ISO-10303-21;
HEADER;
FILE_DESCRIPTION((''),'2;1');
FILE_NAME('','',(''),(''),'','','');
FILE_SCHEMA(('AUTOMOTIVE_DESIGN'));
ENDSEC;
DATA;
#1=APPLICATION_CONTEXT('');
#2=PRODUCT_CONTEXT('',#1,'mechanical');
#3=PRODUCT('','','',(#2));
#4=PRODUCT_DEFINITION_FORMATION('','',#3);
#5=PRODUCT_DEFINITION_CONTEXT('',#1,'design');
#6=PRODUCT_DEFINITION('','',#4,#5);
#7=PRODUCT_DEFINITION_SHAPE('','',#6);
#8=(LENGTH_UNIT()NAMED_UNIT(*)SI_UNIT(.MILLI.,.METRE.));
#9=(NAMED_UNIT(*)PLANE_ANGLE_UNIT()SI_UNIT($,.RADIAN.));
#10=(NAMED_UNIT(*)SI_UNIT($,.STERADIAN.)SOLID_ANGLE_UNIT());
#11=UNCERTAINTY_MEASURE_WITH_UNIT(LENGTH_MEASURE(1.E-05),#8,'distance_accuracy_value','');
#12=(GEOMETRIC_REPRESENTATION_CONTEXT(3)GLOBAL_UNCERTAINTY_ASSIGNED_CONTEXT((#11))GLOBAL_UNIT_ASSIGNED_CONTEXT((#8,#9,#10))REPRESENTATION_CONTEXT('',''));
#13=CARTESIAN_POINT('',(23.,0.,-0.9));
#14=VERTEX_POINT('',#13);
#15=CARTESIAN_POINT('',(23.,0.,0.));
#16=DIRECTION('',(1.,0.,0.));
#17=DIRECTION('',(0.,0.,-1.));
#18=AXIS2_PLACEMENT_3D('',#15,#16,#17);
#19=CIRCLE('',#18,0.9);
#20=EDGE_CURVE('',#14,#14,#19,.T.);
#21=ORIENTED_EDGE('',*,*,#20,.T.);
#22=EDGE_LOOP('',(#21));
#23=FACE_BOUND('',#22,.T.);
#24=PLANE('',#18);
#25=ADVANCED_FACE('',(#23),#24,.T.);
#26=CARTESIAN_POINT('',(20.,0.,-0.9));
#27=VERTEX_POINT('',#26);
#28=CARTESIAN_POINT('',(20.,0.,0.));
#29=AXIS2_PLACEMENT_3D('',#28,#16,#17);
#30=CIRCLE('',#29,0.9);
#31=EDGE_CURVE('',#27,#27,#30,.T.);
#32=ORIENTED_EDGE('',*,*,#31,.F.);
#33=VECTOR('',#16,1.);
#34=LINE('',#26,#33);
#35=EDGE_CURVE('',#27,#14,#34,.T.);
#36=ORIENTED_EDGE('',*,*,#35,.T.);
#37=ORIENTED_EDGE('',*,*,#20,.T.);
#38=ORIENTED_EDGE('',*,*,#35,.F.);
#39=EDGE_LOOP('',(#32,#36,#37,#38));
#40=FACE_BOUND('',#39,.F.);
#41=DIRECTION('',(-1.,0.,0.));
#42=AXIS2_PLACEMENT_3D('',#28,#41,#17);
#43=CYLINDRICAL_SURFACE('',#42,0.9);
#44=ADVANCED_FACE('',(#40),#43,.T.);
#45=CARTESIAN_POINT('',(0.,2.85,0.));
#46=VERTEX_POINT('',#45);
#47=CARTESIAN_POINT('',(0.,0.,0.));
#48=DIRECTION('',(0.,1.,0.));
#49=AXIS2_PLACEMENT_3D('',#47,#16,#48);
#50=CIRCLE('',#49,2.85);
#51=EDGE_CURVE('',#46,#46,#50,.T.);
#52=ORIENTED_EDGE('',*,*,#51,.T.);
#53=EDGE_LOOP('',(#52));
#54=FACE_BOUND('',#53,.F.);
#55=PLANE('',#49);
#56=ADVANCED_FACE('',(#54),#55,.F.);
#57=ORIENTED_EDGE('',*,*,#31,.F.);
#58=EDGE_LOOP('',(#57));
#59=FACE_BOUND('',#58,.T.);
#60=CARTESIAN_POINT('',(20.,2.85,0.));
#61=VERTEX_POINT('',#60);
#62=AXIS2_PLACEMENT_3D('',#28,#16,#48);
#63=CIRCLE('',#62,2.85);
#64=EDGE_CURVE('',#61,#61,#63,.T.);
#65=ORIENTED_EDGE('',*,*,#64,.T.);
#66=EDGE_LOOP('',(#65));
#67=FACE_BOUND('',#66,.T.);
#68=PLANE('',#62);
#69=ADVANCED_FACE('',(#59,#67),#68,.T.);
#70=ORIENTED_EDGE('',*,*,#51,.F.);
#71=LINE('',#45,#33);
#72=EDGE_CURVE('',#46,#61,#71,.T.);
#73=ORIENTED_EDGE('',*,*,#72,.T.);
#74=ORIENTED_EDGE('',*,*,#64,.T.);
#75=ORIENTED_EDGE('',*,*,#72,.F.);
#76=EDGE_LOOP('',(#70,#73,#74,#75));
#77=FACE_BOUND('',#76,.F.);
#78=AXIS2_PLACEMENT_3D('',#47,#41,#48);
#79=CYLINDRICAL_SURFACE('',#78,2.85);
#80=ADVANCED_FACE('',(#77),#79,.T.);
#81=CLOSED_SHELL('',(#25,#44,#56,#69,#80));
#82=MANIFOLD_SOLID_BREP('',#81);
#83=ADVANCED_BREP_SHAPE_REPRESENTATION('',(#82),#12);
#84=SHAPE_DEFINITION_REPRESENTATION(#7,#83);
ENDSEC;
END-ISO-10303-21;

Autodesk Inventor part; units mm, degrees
ref_plane "YZ Plane" through (0, 0, 0) normal (1, 0, 0) x (0, 1, 0)
ref_plane "XZ Plane" through (0, 0, 0) normal (0, 1, 0) x (-1, 0, 0)
ref_plane "XY Plane" through (0, 0, 0) normal (0, 0, 1) x (1, 0, 0)
sketch "Sketch1" plane through (0, 0, 0) normal (1, 0, 0) x (0, 1, 0)
  circle A0 centre (0, 0) radius 2.85
  dimension "d0" = 5.7
extrude "Extrusion1" add sketch "Sketch1" along normal blind 20
sketch "Sketch2" plane through (20, 0, 0) normal (1, 0, 0) x (0, 0, -1)
  circle A0 centre (0, 0) radius 2.85 projected
  circle A1 centre (0, 0) radius 0.9
  dimension "d3" = 1.8
extrude "Extrusion2" add sketch "Sketch2" along normal blind 3 contours A1
properties part number "silnik_2"
